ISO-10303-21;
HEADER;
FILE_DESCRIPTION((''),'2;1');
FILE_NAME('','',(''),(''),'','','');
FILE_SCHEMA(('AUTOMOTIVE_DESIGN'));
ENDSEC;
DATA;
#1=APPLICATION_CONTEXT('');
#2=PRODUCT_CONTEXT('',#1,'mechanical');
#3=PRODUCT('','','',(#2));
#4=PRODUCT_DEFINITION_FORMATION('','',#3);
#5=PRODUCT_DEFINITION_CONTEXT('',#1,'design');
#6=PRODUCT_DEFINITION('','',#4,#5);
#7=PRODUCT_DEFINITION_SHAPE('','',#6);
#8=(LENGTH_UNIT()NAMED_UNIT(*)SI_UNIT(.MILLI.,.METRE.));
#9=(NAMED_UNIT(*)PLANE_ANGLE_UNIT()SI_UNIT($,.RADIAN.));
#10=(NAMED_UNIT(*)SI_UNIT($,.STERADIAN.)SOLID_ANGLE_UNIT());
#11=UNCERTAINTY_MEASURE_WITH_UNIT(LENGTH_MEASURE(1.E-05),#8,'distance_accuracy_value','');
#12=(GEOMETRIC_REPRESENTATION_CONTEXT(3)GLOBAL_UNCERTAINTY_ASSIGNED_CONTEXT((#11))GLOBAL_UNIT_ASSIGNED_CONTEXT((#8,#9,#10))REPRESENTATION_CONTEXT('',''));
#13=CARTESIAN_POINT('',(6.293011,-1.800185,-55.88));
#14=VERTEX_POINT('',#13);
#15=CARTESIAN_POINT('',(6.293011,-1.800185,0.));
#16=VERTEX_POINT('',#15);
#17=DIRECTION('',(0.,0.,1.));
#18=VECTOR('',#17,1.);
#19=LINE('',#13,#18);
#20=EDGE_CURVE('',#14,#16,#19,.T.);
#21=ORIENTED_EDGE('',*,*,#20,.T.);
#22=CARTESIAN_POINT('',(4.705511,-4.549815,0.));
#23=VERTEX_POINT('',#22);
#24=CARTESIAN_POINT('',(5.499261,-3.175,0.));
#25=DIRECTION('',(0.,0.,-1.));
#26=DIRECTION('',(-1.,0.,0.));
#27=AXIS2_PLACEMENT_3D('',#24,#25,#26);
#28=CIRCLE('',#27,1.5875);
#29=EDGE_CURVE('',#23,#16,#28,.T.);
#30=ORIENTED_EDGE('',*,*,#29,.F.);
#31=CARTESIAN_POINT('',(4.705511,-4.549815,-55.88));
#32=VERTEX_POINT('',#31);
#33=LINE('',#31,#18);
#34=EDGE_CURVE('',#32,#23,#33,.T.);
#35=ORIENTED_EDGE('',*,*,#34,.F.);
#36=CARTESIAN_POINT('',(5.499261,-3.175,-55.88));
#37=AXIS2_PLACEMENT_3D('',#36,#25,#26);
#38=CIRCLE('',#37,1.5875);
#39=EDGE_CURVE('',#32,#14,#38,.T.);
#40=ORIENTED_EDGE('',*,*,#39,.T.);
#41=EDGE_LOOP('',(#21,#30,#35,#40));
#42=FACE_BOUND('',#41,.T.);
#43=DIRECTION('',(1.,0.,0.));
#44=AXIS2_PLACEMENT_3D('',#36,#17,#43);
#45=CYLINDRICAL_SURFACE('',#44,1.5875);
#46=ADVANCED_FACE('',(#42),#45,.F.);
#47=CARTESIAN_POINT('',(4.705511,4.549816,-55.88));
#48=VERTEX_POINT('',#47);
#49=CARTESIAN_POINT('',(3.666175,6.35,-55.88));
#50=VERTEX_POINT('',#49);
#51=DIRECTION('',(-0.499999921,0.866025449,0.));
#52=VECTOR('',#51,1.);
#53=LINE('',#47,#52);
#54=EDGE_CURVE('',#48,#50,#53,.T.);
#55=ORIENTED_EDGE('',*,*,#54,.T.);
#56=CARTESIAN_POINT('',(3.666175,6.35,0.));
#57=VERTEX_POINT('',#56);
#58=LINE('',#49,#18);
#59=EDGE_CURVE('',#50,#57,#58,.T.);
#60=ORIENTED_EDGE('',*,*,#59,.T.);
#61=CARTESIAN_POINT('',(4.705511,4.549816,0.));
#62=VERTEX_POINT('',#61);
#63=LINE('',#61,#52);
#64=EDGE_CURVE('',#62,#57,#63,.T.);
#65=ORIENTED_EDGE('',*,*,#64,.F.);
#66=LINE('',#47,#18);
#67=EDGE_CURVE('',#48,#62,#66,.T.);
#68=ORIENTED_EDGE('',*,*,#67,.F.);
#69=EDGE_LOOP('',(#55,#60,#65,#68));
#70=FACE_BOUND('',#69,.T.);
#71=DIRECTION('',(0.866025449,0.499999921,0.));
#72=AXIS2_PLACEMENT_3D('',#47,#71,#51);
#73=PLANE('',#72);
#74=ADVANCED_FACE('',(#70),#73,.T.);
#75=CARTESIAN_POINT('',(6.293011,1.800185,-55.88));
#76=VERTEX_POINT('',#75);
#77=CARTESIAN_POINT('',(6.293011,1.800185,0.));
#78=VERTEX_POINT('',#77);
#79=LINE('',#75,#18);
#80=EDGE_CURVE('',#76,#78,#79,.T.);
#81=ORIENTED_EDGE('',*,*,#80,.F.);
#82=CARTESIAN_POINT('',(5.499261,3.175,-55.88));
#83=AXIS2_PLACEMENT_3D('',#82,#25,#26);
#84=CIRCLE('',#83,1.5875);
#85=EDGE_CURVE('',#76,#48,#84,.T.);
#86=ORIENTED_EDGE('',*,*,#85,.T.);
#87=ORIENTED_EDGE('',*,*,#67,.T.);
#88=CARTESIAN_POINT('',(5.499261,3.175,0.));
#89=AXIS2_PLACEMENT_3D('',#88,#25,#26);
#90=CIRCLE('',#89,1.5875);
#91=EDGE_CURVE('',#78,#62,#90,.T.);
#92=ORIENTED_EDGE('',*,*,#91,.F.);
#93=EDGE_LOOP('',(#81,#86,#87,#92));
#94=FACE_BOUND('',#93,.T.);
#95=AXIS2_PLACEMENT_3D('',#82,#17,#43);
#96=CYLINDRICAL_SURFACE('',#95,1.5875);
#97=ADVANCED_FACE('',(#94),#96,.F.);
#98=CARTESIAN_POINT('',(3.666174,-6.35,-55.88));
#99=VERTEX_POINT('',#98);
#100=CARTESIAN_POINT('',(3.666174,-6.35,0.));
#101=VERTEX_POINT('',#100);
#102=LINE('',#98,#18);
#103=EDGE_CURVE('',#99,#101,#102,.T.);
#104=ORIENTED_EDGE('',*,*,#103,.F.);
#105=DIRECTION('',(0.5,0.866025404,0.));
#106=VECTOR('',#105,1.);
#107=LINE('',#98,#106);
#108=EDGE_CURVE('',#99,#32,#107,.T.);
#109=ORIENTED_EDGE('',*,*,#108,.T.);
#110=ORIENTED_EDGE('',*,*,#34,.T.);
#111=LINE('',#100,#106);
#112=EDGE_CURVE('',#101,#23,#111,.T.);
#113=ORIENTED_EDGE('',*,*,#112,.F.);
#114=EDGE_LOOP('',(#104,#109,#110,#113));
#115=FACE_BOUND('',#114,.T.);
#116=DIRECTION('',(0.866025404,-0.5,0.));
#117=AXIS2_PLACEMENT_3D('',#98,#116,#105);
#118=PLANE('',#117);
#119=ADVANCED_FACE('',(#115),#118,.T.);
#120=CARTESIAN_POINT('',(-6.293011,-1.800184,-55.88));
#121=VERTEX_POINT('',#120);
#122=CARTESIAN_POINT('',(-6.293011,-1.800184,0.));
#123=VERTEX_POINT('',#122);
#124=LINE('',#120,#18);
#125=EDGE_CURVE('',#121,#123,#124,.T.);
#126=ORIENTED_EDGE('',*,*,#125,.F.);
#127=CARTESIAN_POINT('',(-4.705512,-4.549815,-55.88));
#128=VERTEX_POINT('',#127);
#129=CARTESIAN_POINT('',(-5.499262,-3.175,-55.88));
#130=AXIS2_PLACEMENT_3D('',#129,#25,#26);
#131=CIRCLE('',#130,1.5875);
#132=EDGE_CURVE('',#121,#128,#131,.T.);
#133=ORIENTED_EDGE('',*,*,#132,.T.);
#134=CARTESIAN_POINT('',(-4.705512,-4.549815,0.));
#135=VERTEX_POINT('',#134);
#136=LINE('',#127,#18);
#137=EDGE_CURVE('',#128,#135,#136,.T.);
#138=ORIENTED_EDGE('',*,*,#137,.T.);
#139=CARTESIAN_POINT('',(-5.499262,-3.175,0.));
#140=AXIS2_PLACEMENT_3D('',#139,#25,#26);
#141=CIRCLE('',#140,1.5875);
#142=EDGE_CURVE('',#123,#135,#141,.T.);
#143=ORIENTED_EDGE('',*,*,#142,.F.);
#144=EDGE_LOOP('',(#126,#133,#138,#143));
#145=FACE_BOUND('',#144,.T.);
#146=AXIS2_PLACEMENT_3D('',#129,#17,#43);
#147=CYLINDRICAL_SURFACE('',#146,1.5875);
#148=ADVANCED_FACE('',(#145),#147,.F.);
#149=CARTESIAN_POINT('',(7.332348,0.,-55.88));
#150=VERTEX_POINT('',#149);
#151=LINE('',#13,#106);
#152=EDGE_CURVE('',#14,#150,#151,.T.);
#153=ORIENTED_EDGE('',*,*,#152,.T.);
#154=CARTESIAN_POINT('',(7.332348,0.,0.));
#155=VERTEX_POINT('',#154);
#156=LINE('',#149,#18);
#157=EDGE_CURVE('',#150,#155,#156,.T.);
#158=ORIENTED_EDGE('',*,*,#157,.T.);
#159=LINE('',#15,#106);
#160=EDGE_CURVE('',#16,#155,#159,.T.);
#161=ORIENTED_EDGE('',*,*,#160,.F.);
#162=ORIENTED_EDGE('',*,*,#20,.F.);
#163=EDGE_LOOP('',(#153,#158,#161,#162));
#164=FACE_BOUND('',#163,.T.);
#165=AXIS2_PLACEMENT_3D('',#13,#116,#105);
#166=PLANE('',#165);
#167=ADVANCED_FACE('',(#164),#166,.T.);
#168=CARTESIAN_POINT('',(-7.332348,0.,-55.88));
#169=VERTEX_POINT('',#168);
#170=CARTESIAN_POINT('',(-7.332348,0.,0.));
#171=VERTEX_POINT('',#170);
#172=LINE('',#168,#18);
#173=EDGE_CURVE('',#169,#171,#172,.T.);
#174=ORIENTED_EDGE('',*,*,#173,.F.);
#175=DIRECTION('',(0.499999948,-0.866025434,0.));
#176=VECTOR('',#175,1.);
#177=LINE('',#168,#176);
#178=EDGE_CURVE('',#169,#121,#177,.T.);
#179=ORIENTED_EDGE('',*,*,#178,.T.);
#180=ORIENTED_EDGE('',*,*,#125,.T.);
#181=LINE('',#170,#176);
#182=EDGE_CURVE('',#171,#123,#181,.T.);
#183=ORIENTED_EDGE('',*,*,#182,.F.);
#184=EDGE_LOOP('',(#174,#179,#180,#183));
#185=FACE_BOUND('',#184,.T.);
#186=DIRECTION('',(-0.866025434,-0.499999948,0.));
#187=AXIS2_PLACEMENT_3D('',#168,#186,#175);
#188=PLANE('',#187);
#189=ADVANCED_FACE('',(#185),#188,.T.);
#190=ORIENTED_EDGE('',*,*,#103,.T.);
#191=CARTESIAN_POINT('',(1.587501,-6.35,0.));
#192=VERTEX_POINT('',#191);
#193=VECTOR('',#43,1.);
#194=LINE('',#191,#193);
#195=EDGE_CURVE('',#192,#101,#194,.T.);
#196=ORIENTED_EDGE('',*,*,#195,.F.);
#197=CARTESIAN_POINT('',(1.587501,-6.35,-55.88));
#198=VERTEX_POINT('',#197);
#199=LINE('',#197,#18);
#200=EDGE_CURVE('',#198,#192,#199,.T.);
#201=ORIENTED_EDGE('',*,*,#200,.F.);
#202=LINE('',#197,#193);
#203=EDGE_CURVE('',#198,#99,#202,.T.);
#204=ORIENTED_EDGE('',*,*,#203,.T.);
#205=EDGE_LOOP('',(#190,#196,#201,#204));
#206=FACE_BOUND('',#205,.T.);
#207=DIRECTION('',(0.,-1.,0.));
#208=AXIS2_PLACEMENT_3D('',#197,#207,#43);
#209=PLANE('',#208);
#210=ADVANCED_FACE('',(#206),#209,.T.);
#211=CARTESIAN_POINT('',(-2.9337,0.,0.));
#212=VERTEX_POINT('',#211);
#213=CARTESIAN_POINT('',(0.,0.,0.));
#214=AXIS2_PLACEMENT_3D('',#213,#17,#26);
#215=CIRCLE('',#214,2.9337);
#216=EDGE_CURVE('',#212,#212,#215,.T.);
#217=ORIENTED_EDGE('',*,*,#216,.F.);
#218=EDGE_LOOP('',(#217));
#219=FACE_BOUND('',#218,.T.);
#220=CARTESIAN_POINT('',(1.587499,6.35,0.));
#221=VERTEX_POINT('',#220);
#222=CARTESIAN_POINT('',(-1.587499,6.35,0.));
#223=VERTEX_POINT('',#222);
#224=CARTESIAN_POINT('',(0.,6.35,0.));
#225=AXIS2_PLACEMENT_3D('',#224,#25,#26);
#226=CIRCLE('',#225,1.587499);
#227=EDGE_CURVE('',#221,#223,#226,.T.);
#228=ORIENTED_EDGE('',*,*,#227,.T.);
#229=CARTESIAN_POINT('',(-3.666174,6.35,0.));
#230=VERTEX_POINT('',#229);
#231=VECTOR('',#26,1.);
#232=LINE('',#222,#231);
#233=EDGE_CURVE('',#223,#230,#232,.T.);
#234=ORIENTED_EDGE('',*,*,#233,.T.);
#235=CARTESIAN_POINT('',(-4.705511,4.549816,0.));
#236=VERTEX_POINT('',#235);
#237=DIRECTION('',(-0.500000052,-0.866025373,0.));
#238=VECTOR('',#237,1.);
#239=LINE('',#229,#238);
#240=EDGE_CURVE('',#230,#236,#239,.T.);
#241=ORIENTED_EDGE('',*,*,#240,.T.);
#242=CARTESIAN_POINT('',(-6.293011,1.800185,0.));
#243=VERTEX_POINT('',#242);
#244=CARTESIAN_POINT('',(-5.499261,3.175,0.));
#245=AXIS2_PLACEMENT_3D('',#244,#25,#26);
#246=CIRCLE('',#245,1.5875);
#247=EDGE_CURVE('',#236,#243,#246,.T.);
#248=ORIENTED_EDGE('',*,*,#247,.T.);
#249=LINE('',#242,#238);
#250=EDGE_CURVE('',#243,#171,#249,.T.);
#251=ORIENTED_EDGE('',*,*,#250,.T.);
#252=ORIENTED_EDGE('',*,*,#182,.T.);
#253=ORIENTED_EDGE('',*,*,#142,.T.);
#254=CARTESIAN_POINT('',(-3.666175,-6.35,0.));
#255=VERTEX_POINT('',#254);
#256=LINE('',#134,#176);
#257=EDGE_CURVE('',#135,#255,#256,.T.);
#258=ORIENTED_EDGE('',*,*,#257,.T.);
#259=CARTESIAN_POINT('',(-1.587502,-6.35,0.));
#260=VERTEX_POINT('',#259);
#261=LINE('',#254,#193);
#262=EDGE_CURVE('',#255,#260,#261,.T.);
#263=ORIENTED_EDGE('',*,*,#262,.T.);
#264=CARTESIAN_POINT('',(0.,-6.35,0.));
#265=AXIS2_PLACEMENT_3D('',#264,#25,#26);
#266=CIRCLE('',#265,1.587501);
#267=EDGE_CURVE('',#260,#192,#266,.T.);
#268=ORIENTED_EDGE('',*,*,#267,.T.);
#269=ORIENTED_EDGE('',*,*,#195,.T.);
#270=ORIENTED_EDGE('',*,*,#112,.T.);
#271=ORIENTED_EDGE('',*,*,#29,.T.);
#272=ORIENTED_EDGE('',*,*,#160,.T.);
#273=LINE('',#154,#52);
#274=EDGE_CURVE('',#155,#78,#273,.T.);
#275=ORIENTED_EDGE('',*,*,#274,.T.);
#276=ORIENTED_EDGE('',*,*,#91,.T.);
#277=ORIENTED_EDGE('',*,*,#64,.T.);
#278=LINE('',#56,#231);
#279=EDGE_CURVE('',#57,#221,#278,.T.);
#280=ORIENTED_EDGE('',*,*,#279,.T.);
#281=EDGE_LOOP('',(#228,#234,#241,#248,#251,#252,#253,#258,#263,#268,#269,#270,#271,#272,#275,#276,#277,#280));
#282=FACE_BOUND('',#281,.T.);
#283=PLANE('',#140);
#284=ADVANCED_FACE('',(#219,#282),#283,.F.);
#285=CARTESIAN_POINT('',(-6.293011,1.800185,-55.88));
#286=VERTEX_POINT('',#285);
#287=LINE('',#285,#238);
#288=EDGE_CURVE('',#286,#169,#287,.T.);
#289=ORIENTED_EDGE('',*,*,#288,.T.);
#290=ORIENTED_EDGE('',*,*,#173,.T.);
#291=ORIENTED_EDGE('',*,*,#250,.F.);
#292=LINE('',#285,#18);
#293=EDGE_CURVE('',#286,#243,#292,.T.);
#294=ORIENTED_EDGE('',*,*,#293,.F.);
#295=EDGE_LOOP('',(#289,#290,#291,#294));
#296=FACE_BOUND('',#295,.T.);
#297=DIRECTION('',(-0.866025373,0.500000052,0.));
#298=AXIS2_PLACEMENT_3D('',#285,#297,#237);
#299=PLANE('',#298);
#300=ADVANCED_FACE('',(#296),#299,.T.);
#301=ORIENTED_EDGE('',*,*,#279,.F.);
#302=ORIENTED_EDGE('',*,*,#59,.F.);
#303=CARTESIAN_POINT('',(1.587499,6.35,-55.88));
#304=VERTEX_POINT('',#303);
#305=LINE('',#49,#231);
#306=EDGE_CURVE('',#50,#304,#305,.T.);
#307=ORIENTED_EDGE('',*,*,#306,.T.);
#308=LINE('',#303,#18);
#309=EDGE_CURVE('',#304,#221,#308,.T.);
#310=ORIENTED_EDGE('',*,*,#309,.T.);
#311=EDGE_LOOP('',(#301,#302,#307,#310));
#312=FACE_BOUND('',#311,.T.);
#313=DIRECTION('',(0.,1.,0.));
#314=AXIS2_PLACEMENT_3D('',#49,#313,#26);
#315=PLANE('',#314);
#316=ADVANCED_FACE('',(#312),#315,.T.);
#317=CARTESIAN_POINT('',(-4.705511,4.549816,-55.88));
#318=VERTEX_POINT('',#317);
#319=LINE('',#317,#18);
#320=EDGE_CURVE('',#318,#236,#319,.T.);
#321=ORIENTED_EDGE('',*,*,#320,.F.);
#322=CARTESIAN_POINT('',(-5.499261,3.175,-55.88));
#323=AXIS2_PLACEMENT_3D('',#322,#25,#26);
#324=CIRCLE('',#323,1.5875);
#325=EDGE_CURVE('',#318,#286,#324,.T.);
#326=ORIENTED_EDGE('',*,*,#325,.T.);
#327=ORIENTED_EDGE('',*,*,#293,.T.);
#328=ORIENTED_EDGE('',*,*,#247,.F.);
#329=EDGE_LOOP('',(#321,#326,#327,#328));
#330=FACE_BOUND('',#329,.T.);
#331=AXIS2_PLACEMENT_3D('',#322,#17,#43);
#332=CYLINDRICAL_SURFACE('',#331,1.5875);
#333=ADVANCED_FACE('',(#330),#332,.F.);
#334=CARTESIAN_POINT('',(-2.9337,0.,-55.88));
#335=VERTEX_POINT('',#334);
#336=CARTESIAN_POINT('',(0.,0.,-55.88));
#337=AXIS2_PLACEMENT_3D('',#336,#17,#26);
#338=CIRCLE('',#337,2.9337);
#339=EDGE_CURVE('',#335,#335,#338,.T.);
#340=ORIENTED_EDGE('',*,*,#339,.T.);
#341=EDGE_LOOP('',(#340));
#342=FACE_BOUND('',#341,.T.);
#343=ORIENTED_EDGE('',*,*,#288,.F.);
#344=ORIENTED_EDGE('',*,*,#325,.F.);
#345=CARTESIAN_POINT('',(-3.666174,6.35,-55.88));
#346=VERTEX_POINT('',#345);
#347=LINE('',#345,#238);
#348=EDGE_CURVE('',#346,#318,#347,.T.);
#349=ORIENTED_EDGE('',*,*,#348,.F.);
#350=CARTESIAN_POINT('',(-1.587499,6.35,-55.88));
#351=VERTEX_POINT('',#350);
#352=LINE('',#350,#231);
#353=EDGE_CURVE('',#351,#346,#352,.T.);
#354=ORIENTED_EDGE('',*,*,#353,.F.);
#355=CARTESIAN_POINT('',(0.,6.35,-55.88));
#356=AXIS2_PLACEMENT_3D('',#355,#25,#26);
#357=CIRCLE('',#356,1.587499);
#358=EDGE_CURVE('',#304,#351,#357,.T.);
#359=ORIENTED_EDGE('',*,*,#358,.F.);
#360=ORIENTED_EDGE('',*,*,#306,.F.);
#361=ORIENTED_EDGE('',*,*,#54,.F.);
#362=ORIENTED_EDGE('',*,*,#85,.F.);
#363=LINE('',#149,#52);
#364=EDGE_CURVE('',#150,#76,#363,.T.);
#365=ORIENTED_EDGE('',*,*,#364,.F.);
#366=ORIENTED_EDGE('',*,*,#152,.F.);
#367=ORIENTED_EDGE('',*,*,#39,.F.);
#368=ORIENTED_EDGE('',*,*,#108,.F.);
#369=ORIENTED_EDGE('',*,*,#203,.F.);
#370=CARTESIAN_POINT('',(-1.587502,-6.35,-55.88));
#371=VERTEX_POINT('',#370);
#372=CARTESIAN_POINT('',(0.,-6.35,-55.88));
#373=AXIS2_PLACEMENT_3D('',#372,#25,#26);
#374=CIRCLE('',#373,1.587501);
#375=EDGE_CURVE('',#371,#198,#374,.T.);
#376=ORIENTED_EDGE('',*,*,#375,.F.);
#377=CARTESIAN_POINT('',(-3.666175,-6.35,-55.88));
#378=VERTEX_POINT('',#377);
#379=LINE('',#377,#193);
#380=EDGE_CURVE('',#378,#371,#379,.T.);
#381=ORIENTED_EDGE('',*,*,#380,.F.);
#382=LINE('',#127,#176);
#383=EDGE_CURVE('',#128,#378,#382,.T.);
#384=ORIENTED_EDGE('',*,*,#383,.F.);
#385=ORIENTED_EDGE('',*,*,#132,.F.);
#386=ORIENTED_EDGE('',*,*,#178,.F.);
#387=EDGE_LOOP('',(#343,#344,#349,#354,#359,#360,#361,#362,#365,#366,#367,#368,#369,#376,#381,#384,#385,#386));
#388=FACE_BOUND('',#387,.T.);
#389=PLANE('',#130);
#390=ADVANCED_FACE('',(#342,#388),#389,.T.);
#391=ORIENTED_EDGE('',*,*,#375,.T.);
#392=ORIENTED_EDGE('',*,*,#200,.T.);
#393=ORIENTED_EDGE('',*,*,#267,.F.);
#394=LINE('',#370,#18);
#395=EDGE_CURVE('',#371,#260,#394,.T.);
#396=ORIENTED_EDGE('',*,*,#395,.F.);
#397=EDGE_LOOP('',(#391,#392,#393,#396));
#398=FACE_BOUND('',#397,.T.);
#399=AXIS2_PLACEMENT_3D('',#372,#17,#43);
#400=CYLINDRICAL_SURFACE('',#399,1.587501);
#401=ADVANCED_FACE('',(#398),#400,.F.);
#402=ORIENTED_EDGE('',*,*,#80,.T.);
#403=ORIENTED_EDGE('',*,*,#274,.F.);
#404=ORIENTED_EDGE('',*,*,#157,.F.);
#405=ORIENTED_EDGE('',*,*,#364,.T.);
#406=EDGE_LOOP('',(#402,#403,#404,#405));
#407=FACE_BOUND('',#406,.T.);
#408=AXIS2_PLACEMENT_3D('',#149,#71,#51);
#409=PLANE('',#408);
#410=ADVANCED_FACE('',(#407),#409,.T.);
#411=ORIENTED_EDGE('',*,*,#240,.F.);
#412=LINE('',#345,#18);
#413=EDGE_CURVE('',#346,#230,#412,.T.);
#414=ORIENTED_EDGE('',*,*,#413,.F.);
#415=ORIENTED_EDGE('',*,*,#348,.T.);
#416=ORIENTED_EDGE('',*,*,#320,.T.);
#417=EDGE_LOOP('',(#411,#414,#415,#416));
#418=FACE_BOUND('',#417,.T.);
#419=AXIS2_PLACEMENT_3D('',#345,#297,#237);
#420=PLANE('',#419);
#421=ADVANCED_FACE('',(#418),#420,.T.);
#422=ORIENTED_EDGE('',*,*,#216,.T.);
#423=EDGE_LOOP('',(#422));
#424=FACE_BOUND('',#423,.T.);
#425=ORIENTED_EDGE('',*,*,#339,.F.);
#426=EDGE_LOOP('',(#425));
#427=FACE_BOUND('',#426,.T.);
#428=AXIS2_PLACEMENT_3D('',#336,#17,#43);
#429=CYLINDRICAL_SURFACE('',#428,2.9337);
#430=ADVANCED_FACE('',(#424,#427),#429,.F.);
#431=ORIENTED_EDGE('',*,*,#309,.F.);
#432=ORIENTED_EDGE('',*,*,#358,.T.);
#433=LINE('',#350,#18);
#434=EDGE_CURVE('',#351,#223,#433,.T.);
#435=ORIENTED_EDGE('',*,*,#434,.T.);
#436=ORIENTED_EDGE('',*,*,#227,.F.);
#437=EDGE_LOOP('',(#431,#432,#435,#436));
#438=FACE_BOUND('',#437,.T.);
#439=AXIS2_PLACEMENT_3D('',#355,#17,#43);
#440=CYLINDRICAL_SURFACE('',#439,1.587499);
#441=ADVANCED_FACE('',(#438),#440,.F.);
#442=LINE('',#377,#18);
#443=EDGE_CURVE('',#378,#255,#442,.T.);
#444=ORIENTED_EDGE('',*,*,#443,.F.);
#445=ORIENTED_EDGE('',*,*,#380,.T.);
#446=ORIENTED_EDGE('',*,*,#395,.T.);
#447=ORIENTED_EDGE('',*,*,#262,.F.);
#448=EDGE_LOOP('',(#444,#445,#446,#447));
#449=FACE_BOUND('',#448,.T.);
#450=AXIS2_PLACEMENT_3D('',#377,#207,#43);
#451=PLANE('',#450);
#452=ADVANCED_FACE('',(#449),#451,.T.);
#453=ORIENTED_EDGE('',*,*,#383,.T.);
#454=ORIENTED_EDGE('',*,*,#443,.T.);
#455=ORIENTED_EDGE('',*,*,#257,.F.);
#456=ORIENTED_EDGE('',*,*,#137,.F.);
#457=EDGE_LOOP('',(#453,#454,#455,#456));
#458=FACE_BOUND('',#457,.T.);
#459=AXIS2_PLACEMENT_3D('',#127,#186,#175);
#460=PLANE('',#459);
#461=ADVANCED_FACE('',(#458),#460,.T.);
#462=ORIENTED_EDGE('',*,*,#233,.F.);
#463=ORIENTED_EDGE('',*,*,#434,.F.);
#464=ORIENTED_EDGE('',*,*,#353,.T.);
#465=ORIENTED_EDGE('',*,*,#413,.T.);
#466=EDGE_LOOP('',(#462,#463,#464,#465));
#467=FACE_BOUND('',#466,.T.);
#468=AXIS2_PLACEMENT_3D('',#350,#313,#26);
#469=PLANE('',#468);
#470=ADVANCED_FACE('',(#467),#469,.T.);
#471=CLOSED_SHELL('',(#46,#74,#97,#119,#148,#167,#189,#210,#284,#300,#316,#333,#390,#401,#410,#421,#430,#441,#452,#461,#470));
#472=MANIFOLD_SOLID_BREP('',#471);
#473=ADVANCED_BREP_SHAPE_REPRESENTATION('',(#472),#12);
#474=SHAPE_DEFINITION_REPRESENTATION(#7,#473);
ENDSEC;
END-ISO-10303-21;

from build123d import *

# Parameters (mm, degrees)
SKETCH1_R           = 2.9337
BOSS_EXTRUDE1_DEPTH = 55.88


with BuildPart() as part:
    # Sketch1 → Boss-Extrude1 (new body)
    with BuildSketch(Plane.XY):
        with BuildLine():
            Line((-4.70551159, -4.549815043), (-3.666174521, -6.349999904))
            Line((-3.666174521, -6.349999904), (-1.587501154, -6.349999904))
            ThreePointArc((-1.587501154, -6.349999904), (-3.85e-07, -4.762499134), (1.587501154, -6.349999904))
            Line((1.587501154, -6.349999904), (3.666173825, -6.349999904))
            Line((3.666173825, -6.349999904), (4.705510929, -4.549815232))
            ThreePointArc((4.705510929, -4.549815232), (4.124445601, -2.381249904), (6.293010929, -1.800184575))
            Line((6.293010929, -1.800184575), (7.332348034, 9.6e-08))
            Line((7.332348034, 9.6e-08), (6.293011178, 1.800184715))
            ThreePointArc((6.293011178, 1.800184715), (4.124445902, 2.381250241), (4.705511428, 4.549815516))
            Line((4.705511428, 4.549815516), (3.666174521, 6.350000222))
            Line((3.666174521, 6.350000222), (1.587498846, 6.350000222))
            ThreePointArc((1.587498846, 6.350000222), (3.85e-07, 4.762501761), (-1.587498846, 6.350000222))
            Line((-1.587498846, 6.350000222), (-3.666173825, 6.350000222))
            Line((-3.666173825, 6.350000222), (-4.705511038, 4.549815614))
            ThreePointArc((-4.705511038, 4.549815614), (-4.124445841, 2.38125025), (-6.293011205, 1.800185053))
            Line((-6.293011205, 1.800185053), (-7.332348419, 4.44e-07))
            Line((-7.332348419, 4.44e-07), (-6.293011423, -1.80018429))
            ThreePointArc((-6.293011423, -1.80018429), (-4.12444613, -2.38124975), (-4.70551159, -4.549815043))
        make_face()
        Circle(SKETCH1_R, mode=Mode.SUBTRACT)
    extrude(amount=-BOSS_EXTRUDE1_DEPTH)


solid = part.part
